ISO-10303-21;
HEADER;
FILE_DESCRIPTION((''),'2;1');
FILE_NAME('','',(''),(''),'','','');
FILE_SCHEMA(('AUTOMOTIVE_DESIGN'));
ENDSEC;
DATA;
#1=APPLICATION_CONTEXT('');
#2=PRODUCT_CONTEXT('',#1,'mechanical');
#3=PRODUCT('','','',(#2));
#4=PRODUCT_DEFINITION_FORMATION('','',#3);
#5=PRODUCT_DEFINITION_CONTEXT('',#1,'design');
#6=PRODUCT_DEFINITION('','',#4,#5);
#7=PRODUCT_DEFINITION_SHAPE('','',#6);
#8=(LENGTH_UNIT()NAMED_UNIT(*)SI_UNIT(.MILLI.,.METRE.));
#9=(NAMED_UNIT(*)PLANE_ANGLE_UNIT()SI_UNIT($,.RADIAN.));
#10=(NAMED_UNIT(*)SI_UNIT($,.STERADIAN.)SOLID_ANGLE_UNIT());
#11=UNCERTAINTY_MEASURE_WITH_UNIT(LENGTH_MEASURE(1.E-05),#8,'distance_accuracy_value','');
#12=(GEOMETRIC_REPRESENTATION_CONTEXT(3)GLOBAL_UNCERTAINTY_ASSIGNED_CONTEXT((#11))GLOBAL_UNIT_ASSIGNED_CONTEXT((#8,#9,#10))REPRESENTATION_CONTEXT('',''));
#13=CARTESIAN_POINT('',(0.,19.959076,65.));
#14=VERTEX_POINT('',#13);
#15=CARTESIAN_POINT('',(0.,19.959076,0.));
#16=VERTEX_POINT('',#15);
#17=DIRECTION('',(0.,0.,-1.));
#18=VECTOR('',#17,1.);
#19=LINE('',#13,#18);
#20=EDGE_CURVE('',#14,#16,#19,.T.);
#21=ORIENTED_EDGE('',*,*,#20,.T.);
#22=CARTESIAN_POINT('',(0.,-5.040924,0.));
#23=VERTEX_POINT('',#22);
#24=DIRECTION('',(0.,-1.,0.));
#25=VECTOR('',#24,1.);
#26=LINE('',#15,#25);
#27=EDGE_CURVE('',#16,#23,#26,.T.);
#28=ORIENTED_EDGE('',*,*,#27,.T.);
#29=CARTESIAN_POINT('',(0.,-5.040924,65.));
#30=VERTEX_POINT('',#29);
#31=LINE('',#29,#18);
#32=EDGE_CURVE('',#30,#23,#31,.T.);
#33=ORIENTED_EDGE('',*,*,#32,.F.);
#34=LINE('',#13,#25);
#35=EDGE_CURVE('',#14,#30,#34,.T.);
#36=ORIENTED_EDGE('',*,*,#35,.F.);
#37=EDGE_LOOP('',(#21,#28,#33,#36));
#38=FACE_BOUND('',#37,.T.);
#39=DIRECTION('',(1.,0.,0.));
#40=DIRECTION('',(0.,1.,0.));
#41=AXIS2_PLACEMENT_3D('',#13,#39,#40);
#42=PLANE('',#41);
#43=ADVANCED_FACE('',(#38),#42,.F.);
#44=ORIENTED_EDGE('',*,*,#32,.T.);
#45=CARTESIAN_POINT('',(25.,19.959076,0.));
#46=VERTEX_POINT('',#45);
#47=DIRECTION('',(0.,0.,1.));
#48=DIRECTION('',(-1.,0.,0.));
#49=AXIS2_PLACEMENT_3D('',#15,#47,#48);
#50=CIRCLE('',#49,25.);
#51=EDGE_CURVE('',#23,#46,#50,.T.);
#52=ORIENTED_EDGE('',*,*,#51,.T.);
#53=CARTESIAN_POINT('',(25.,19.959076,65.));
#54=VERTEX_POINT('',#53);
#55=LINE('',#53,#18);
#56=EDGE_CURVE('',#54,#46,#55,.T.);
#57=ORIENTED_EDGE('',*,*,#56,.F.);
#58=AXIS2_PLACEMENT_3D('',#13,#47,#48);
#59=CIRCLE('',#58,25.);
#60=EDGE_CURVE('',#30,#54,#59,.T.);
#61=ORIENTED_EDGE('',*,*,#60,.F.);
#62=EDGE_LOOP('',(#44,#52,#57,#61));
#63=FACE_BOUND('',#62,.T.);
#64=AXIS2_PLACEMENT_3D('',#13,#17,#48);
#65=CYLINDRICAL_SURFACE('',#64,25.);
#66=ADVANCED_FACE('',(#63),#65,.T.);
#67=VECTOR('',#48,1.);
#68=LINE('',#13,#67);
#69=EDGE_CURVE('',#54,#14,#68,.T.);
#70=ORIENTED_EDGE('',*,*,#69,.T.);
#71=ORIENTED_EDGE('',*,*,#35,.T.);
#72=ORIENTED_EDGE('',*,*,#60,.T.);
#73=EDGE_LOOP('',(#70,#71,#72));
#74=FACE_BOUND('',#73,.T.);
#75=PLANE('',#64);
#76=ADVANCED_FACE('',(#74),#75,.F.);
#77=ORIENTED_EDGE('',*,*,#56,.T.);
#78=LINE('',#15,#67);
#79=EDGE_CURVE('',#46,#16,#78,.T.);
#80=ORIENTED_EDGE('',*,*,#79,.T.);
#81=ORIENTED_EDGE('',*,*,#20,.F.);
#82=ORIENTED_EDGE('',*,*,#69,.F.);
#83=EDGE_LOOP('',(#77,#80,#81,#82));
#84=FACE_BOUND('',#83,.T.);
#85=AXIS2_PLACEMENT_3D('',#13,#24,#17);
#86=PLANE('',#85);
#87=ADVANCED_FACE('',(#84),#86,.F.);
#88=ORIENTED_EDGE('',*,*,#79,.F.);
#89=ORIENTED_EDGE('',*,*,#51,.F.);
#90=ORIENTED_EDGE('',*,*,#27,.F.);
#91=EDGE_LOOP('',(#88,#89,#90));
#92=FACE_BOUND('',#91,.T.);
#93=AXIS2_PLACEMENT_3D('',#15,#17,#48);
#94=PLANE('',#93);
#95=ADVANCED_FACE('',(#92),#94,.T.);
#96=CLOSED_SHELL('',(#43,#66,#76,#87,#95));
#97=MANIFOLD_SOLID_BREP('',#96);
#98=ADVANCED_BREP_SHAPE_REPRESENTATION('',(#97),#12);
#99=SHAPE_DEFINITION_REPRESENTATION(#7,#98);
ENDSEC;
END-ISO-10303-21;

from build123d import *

# Parameters (mm, degrees)
BOSS_EXTRUDE1_DEPTH = 65


with BuildPart() as part:
    # Sketch1 → Boss-Extrude1 (new body)
    with BuildSketch(Plane.XY):
        with BuildLine():
            Line((0, 19.959076481), (0, -5.040923519))
            ThreePointArc((0, -5.040923519), (17.67766953, 2.281406951), (25, 19.959076481))
            Line((25, 19.959076481), (0, 19.959076481))
        make_face()
    extrude(amount=BOSS_EXTRUDE1_DEPTH)


solid = part.part
